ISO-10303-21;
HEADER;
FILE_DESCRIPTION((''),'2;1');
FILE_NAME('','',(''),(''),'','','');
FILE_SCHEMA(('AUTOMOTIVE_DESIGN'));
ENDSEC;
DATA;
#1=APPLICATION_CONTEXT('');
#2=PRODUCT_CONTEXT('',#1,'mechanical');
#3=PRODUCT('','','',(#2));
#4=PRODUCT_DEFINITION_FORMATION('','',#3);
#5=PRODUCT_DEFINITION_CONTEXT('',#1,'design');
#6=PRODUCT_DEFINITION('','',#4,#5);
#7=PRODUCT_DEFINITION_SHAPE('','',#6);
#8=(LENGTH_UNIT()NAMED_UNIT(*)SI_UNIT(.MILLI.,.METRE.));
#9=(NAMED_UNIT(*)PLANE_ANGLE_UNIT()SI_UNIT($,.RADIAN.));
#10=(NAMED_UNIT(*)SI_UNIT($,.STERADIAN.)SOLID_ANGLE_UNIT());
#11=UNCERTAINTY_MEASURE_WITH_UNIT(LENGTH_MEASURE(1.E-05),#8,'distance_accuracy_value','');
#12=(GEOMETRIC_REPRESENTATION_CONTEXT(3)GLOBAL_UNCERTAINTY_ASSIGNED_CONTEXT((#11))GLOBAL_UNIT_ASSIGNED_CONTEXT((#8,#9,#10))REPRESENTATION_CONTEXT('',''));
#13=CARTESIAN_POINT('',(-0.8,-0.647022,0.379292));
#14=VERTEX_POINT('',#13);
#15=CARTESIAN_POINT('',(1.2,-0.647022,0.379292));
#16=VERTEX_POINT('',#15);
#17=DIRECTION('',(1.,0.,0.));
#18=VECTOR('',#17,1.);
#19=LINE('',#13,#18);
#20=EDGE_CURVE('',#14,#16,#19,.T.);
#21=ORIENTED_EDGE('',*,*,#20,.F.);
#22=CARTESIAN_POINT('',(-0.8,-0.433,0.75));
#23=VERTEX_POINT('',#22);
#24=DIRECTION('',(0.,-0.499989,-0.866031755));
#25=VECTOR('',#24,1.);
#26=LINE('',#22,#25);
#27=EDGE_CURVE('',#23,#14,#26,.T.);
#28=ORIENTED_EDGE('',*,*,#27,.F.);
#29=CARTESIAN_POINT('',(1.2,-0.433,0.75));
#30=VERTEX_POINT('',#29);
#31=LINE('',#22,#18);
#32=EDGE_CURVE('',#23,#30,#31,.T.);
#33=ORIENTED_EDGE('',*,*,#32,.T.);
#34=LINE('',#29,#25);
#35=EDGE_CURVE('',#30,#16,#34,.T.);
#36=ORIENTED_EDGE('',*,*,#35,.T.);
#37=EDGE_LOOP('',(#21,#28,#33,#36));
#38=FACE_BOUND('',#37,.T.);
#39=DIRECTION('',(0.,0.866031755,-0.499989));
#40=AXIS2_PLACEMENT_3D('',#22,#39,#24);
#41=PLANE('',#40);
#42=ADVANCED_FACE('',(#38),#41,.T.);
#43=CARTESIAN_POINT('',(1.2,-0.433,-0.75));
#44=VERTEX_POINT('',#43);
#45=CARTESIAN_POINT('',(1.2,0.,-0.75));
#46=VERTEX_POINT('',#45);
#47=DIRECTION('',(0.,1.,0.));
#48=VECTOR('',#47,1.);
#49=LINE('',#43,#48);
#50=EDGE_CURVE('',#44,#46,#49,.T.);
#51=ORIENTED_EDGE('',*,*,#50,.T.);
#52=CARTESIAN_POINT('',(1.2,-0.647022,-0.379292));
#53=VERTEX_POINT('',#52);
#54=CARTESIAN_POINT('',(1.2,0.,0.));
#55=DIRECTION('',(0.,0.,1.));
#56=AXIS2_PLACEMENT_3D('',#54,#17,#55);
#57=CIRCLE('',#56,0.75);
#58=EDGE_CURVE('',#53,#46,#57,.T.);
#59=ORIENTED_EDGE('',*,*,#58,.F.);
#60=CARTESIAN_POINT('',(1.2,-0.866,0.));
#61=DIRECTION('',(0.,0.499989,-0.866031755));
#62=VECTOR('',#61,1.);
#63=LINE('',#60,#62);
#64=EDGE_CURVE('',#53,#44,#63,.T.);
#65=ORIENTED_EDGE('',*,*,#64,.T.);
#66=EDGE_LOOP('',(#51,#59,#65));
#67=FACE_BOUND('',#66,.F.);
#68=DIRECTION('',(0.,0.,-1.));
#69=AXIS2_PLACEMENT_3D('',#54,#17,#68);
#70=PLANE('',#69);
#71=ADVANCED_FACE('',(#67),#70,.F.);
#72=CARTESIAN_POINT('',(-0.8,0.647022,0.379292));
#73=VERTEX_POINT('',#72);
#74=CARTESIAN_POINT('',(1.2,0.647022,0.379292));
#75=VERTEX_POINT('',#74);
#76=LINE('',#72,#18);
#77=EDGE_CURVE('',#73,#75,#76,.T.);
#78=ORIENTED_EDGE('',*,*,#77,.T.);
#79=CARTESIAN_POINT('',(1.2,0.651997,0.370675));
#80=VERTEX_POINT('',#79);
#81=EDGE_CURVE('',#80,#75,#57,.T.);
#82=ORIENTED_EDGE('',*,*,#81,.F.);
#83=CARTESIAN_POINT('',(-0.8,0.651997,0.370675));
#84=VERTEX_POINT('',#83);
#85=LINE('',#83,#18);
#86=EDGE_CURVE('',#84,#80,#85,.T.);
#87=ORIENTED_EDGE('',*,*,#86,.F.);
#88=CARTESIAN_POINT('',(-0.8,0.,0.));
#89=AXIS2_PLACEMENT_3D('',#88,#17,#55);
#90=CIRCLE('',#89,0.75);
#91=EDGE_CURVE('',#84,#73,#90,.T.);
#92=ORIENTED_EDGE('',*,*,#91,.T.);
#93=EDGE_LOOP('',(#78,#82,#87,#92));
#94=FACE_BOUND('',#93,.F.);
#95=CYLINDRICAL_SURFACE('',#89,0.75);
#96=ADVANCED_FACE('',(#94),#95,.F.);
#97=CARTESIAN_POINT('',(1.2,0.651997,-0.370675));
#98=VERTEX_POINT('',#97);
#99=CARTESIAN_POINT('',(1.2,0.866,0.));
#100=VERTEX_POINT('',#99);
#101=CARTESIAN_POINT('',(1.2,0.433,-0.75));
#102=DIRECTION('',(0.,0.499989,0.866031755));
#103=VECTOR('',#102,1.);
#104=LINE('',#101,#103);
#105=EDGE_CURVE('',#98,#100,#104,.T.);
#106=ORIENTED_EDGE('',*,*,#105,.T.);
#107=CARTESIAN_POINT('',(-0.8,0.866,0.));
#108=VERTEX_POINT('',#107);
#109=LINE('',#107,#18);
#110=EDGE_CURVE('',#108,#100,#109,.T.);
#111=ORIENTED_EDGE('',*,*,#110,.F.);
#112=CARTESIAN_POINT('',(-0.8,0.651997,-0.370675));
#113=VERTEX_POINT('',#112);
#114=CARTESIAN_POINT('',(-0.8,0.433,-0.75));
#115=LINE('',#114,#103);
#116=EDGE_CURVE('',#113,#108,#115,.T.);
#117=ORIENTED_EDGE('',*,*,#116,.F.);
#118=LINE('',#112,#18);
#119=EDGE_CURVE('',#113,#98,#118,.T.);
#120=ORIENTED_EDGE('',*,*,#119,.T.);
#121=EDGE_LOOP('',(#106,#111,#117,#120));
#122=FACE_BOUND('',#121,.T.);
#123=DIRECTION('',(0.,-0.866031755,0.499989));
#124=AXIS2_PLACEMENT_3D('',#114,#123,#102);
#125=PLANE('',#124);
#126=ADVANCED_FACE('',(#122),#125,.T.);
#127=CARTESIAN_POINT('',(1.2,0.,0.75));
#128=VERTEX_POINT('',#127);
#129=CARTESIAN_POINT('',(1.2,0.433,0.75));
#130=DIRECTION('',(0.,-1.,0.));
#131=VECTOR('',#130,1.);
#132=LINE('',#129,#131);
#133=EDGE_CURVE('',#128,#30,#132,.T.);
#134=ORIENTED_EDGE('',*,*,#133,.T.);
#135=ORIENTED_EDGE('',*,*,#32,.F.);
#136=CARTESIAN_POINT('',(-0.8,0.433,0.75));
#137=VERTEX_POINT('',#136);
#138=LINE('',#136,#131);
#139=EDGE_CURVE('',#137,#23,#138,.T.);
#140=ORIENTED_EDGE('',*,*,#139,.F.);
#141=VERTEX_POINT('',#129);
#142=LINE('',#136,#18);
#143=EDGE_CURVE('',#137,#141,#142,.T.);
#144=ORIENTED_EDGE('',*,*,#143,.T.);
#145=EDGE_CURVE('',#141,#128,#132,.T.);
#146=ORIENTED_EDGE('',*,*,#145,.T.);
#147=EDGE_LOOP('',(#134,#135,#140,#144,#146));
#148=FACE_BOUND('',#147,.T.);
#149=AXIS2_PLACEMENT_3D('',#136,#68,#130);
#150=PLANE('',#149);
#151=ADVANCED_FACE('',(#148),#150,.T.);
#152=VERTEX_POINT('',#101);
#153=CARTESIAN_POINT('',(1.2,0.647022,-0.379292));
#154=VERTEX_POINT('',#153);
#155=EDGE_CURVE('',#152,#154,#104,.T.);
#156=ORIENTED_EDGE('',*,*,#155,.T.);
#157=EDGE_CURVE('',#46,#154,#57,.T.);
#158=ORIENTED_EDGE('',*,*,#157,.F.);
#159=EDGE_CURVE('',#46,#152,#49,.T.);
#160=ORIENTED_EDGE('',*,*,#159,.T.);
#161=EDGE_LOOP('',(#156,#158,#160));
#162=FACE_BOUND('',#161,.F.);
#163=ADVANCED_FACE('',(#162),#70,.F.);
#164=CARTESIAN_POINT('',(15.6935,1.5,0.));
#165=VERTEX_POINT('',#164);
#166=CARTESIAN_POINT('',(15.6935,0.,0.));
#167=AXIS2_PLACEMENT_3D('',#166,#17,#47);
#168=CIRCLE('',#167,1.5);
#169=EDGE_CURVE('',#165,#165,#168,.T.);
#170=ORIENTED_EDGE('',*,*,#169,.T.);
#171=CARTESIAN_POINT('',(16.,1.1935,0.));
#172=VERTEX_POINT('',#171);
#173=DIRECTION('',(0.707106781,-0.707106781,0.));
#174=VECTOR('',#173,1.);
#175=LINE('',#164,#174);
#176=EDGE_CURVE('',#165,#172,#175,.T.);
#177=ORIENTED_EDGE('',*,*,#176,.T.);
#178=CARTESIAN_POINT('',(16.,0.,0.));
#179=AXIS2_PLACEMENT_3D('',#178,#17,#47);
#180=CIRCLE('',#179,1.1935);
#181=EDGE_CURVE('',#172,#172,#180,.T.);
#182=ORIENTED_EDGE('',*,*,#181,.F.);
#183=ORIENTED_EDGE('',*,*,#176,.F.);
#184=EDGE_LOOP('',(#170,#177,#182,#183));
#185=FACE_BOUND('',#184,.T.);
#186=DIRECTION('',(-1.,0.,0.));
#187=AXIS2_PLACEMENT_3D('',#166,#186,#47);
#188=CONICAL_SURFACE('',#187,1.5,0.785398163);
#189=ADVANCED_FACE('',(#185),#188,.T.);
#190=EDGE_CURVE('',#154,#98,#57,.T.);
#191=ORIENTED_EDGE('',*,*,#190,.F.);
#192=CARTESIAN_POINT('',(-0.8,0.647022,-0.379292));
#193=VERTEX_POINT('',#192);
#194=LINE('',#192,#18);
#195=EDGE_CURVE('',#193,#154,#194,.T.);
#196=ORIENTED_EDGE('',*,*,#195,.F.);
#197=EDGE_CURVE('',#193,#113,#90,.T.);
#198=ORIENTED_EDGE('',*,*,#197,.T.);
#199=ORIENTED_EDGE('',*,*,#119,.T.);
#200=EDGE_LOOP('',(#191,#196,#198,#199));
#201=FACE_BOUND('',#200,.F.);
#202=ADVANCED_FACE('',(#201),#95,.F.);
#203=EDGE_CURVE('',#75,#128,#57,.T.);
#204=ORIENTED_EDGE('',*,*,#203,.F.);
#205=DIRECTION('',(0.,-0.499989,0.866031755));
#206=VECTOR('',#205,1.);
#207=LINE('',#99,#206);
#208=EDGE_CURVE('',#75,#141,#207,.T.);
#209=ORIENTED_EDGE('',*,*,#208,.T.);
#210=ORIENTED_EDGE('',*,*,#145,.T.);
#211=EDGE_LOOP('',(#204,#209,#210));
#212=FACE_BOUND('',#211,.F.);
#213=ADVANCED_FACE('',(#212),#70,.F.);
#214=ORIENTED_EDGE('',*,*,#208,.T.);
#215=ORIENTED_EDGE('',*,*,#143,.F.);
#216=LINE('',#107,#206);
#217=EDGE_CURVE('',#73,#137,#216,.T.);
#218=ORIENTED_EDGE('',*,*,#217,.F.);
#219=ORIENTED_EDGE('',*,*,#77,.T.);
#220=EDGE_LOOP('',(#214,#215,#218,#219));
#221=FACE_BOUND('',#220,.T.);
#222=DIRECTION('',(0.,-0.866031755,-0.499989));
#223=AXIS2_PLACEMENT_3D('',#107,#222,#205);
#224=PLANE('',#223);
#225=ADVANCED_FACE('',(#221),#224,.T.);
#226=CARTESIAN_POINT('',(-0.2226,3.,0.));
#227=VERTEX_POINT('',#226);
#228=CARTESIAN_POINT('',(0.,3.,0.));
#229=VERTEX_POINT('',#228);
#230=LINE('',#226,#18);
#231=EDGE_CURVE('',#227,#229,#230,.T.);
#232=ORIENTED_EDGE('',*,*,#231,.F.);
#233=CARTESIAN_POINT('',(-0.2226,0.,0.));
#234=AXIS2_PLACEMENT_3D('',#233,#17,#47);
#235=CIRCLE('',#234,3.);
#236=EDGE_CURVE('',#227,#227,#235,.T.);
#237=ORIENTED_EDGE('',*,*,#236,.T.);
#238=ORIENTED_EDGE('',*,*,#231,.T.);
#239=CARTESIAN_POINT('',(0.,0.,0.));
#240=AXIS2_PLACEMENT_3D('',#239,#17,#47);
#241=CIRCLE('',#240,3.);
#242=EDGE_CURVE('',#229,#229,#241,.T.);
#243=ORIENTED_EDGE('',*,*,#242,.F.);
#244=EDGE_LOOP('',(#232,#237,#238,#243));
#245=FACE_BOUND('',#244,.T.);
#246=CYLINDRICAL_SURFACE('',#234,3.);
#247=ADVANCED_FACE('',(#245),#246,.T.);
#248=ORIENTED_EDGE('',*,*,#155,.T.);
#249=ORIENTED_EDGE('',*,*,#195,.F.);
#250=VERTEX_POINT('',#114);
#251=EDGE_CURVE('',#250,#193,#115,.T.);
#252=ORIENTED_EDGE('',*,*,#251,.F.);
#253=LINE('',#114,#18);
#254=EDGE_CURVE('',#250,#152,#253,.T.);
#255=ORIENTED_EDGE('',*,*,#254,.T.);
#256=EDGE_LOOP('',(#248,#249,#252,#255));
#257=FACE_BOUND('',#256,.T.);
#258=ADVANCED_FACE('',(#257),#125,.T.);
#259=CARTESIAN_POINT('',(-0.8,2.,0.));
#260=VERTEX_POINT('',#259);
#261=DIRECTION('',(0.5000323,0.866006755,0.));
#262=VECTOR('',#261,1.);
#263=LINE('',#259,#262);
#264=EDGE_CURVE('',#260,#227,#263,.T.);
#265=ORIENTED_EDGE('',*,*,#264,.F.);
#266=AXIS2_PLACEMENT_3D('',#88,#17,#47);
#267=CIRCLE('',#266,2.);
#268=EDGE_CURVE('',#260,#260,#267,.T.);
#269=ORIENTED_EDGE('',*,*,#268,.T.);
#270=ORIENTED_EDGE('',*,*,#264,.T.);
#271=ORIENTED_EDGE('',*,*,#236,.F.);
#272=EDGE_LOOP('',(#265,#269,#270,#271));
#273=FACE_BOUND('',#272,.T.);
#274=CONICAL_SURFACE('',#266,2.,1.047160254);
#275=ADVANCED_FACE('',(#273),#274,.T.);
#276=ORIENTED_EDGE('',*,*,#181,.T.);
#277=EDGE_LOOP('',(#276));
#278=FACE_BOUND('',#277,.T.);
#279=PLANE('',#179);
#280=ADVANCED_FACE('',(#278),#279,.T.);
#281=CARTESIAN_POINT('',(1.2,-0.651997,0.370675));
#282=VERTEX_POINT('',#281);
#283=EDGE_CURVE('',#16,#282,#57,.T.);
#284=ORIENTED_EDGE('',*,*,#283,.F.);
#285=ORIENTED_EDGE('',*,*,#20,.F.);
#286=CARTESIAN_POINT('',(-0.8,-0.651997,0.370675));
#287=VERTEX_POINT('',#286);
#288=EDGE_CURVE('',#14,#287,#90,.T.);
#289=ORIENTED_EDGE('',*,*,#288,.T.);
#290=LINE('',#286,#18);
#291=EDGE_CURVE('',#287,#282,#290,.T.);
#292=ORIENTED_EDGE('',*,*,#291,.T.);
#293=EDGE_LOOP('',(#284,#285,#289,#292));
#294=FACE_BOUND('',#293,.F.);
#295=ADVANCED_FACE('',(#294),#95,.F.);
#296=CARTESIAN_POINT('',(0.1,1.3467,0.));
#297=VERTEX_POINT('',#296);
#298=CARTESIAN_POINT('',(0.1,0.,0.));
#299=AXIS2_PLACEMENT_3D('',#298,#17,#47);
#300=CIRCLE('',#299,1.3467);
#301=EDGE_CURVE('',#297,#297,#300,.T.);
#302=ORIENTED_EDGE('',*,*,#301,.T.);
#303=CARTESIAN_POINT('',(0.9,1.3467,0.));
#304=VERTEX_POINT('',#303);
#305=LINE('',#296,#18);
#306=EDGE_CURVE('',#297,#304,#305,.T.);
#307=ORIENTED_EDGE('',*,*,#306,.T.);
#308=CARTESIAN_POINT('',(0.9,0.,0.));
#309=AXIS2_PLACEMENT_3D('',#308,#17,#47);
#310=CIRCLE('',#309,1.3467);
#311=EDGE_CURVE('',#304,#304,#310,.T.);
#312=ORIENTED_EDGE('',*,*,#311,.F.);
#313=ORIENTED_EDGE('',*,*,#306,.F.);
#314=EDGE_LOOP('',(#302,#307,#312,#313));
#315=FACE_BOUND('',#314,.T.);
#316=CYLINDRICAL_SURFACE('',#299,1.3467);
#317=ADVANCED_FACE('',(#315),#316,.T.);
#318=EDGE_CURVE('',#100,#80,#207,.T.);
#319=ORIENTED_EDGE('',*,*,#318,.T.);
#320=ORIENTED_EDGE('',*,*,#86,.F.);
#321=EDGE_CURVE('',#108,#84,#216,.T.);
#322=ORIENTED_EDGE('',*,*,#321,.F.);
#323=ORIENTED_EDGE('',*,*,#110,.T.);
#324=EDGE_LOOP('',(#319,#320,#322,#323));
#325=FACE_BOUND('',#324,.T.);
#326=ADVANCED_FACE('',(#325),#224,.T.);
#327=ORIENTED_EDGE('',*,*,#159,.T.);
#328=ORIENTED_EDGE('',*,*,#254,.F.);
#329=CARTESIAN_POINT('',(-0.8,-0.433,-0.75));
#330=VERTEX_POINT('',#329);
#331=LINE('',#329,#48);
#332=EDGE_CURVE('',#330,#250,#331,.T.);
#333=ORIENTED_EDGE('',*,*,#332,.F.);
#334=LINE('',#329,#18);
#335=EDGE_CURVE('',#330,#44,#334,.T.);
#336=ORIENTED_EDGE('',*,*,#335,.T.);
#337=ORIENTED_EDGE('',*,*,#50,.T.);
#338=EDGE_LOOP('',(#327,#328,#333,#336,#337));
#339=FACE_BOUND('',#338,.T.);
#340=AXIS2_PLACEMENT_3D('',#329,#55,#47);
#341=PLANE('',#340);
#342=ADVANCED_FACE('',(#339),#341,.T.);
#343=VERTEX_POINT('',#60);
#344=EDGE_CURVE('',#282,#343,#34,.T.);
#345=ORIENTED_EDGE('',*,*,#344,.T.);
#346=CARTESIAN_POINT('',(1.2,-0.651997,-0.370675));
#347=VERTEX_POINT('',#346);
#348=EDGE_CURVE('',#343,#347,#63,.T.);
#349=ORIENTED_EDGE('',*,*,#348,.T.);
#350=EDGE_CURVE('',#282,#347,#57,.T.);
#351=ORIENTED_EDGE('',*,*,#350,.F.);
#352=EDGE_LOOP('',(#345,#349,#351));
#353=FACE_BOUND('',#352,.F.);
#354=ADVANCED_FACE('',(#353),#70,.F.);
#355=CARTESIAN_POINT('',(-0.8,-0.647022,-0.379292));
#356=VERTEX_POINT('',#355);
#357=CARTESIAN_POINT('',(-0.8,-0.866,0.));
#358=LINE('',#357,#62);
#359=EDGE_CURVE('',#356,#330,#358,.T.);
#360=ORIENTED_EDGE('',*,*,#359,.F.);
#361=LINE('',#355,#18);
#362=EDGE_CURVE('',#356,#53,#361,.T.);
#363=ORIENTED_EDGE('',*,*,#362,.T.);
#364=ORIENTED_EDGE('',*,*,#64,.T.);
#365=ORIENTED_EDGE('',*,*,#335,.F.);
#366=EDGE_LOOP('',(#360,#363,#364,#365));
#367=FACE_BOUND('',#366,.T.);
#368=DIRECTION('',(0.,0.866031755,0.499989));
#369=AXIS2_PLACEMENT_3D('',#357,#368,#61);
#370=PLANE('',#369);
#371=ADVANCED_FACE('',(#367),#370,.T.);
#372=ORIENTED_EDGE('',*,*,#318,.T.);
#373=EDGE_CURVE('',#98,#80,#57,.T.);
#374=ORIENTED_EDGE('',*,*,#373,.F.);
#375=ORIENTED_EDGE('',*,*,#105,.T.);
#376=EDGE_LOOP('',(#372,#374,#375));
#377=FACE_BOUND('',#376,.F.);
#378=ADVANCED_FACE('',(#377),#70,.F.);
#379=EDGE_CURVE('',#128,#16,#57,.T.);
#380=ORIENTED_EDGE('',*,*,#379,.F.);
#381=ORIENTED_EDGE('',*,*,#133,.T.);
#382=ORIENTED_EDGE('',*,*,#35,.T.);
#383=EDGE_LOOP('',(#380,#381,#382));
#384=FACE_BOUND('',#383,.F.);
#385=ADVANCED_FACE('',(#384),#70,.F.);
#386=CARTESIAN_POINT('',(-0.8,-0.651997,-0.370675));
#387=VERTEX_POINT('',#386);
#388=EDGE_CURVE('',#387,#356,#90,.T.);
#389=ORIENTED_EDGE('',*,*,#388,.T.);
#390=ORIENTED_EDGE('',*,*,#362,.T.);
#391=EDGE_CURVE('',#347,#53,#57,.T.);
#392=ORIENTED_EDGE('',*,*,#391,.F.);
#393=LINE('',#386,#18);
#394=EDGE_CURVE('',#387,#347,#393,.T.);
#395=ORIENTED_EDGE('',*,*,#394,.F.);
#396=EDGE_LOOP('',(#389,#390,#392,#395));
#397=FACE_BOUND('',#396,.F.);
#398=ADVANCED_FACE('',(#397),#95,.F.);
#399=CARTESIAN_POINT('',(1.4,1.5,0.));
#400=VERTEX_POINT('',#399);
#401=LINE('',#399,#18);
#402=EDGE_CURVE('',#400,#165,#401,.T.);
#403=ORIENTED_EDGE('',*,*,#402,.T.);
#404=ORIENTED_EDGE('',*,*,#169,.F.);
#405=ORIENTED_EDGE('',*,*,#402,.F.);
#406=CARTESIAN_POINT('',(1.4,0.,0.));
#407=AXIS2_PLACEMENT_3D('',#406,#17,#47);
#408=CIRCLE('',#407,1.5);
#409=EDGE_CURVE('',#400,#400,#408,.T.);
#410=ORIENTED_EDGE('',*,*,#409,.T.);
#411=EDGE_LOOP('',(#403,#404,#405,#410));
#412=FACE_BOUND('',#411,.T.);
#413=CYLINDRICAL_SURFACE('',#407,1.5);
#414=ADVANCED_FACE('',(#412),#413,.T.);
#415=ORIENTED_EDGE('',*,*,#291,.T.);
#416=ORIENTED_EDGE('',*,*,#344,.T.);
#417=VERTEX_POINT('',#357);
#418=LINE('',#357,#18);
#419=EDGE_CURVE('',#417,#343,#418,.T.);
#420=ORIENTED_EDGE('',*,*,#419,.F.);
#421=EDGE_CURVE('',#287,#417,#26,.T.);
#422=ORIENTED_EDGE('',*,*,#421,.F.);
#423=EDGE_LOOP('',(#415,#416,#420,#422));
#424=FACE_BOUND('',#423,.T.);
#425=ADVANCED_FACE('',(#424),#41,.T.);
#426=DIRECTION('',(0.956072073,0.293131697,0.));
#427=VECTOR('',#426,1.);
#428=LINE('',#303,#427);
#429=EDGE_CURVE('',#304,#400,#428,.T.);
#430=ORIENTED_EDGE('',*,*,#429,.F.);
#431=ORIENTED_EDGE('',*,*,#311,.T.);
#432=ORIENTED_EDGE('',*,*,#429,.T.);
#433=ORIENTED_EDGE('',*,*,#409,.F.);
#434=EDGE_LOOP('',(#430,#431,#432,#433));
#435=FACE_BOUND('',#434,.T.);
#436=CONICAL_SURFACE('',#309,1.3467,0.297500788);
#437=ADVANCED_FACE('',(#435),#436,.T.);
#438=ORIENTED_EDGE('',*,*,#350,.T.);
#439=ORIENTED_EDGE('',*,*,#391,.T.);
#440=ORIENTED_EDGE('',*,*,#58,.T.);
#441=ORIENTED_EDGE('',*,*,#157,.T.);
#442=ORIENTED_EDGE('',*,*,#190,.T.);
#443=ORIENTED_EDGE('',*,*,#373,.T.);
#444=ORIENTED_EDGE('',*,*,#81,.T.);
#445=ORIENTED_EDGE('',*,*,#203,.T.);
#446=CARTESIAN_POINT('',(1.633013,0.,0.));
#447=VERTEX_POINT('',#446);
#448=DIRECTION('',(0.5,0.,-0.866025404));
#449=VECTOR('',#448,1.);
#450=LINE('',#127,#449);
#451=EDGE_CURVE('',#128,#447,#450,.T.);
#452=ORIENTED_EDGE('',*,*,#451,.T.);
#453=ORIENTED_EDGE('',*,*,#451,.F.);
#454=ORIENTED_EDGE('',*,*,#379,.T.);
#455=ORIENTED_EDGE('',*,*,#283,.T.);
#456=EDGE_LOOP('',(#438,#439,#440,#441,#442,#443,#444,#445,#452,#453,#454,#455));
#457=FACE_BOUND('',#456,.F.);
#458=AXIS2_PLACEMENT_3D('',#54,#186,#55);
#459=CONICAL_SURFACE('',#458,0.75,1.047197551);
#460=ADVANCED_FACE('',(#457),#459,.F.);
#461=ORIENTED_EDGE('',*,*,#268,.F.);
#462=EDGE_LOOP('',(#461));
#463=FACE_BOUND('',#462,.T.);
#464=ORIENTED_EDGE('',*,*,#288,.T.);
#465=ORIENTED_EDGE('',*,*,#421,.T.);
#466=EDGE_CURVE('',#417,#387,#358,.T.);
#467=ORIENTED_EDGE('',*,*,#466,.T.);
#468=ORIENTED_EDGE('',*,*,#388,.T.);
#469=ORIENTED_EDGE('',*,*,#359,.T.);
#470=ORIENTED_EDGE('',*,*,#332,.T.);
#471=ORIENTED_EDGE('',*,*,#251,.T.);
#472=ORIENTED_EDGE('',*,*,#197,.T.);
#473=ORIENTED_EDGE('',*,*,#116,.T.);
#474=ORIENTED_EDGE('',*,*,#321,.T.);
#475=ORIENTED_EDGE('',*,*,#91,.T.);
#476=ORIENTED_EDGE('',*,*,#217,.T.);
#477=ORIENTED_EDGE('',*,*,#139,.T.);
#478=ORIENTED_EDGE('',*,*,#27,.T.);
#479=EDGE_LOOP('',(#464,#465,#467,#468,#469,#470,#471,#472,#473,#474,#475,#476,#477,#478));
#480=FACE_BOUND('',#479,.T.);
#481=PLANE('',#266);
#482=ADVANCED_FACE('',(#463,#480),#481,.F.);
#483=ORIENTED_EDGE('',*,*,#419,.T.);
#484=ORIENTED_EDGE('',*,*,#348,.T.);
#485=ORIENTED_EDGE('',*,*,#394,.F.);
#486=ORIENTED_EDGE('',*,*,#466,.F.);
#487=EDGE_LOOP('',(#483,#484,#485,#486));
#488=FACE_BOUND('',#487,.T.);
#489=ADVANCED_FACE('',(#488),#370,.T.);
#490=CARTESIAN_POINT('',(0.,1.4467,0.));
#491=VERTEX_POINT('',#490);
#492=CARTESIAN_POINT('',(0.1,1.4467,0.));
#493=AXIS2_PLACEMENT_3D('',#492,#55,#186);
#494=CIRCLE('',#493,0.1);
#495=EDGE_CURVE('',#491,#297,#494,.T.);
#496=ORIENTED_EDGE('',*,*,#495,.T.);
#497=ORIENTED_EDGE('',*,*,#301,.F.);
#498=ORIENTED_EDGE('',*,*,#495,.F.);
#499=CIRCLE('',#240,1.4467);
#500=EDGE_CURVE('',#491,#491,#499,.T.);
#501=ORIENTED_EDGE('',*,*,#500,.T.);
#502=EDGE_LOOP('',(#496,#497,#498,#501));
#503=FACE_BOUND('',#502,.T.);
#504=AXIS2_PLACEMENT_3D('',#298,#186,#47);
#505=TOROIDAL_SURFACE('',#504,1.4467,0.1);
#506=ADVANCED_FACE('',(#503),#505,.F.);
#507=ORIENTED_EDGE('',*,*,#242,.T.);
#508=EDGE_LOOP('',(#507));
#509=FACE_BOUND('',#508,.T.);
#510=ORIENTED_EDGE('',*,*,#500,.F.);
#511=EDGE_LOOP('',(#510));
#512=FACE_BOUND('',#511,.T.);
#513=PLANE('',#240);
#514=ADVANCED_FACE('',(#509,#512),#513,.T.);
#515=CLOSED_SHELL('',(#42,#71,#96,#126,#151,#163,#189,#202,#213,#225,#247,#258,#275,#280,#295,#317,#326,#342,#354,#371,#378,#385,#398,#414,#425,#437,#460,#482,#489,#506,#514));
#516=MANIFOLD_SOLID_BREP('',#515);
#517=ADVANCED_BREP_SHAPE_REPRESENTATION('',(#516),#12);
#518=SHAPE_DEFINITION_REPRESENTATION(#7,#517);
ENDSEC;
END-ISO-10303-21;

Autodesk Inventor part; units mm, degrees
ref_plane "YZ Plane" through (0, 0, 0) normal (1, 0, 0) x (0, 1, 0)
ref_plane "XZ Plane" through (0, 0, 0) normal (0, 1, 0) x (-1, 0, 0)
ref_plane "XY Plane" through (0, 0, 0) normal (0, 0, 1) x (1, 0, 0)
sketch "Sketch_1" plane through (0, 0, 0) normal (0, 0, 1) x (1, 0, 0)
  line L0 (16, 0) -> (-0.8, 0)
  line L1 (-0.8, 0) -> (-0.8, 2)
  line L2 (-0.8, 2) -> (-0.2226, 3)
  line L3 (-0.2226, 3) -> (0, 3)
  line L4 (0, 3) -> (0, 1.4467)
  arc A0 (0, 1.4467) -> (0.1, 1.3467) centre (0.1, 1.4467) ccw
  line L5 (0.1, 1.3467) -> (0.9, 1.3467)
  line L6 (0.9, 1.3467) -> (1.4, 1.5)
  line L7 (1.4, 1.5) -> (15.6935, 1.5)
  line L8 (15.6935, 1.5) -> (16, 1.1935)
  line L9 (16, 1.1935) -> (16, 0)
  line L10 (16, 0) -> (-0.8, 0)
revolve "Revolution1" add sketch "Sketch_1" angle 360 about axis through (16, 0, 0) along (1, 0, 0)
thread "Thread1" size "M3x0.5" class "6g" standard "ISO Metric profile" full length
sketch "Sketch2" plane through (-0.8, 0, 0) normal (-1, 0, 0) x (0, 0, 1)
  point P0 (0, 0)
hole "Hole1" at (-0.8, 0, 0) direction (1, 0, 0) diameter 1.5 depth 2 tip angle 120
sketch "Sketch_3" plane through (-0.8, 0, 0) normal (1, 0, 0) x (0, 0, -1)
  line L0 (-0.75, -0.433) -> (0, -0.866)
  line L1 (0, -0.866) -> (0.75, -0.433)
  line L2 (0.75, -0.433) -> (0.75, 0.433)
  line L3 (0.75, 0.433) -> (0, 0.866)
  line L4 (0, 0.866) -> (-0.75, 0.433)
  line L5 (-0.75, 0.433) -> (-0.75, -0.433)
extrude "Extrusion1" cut sketch "Sketch_3" along normal blind 2
properties part number "CBSTNR3-16" material "鋼、炭素鋼"
